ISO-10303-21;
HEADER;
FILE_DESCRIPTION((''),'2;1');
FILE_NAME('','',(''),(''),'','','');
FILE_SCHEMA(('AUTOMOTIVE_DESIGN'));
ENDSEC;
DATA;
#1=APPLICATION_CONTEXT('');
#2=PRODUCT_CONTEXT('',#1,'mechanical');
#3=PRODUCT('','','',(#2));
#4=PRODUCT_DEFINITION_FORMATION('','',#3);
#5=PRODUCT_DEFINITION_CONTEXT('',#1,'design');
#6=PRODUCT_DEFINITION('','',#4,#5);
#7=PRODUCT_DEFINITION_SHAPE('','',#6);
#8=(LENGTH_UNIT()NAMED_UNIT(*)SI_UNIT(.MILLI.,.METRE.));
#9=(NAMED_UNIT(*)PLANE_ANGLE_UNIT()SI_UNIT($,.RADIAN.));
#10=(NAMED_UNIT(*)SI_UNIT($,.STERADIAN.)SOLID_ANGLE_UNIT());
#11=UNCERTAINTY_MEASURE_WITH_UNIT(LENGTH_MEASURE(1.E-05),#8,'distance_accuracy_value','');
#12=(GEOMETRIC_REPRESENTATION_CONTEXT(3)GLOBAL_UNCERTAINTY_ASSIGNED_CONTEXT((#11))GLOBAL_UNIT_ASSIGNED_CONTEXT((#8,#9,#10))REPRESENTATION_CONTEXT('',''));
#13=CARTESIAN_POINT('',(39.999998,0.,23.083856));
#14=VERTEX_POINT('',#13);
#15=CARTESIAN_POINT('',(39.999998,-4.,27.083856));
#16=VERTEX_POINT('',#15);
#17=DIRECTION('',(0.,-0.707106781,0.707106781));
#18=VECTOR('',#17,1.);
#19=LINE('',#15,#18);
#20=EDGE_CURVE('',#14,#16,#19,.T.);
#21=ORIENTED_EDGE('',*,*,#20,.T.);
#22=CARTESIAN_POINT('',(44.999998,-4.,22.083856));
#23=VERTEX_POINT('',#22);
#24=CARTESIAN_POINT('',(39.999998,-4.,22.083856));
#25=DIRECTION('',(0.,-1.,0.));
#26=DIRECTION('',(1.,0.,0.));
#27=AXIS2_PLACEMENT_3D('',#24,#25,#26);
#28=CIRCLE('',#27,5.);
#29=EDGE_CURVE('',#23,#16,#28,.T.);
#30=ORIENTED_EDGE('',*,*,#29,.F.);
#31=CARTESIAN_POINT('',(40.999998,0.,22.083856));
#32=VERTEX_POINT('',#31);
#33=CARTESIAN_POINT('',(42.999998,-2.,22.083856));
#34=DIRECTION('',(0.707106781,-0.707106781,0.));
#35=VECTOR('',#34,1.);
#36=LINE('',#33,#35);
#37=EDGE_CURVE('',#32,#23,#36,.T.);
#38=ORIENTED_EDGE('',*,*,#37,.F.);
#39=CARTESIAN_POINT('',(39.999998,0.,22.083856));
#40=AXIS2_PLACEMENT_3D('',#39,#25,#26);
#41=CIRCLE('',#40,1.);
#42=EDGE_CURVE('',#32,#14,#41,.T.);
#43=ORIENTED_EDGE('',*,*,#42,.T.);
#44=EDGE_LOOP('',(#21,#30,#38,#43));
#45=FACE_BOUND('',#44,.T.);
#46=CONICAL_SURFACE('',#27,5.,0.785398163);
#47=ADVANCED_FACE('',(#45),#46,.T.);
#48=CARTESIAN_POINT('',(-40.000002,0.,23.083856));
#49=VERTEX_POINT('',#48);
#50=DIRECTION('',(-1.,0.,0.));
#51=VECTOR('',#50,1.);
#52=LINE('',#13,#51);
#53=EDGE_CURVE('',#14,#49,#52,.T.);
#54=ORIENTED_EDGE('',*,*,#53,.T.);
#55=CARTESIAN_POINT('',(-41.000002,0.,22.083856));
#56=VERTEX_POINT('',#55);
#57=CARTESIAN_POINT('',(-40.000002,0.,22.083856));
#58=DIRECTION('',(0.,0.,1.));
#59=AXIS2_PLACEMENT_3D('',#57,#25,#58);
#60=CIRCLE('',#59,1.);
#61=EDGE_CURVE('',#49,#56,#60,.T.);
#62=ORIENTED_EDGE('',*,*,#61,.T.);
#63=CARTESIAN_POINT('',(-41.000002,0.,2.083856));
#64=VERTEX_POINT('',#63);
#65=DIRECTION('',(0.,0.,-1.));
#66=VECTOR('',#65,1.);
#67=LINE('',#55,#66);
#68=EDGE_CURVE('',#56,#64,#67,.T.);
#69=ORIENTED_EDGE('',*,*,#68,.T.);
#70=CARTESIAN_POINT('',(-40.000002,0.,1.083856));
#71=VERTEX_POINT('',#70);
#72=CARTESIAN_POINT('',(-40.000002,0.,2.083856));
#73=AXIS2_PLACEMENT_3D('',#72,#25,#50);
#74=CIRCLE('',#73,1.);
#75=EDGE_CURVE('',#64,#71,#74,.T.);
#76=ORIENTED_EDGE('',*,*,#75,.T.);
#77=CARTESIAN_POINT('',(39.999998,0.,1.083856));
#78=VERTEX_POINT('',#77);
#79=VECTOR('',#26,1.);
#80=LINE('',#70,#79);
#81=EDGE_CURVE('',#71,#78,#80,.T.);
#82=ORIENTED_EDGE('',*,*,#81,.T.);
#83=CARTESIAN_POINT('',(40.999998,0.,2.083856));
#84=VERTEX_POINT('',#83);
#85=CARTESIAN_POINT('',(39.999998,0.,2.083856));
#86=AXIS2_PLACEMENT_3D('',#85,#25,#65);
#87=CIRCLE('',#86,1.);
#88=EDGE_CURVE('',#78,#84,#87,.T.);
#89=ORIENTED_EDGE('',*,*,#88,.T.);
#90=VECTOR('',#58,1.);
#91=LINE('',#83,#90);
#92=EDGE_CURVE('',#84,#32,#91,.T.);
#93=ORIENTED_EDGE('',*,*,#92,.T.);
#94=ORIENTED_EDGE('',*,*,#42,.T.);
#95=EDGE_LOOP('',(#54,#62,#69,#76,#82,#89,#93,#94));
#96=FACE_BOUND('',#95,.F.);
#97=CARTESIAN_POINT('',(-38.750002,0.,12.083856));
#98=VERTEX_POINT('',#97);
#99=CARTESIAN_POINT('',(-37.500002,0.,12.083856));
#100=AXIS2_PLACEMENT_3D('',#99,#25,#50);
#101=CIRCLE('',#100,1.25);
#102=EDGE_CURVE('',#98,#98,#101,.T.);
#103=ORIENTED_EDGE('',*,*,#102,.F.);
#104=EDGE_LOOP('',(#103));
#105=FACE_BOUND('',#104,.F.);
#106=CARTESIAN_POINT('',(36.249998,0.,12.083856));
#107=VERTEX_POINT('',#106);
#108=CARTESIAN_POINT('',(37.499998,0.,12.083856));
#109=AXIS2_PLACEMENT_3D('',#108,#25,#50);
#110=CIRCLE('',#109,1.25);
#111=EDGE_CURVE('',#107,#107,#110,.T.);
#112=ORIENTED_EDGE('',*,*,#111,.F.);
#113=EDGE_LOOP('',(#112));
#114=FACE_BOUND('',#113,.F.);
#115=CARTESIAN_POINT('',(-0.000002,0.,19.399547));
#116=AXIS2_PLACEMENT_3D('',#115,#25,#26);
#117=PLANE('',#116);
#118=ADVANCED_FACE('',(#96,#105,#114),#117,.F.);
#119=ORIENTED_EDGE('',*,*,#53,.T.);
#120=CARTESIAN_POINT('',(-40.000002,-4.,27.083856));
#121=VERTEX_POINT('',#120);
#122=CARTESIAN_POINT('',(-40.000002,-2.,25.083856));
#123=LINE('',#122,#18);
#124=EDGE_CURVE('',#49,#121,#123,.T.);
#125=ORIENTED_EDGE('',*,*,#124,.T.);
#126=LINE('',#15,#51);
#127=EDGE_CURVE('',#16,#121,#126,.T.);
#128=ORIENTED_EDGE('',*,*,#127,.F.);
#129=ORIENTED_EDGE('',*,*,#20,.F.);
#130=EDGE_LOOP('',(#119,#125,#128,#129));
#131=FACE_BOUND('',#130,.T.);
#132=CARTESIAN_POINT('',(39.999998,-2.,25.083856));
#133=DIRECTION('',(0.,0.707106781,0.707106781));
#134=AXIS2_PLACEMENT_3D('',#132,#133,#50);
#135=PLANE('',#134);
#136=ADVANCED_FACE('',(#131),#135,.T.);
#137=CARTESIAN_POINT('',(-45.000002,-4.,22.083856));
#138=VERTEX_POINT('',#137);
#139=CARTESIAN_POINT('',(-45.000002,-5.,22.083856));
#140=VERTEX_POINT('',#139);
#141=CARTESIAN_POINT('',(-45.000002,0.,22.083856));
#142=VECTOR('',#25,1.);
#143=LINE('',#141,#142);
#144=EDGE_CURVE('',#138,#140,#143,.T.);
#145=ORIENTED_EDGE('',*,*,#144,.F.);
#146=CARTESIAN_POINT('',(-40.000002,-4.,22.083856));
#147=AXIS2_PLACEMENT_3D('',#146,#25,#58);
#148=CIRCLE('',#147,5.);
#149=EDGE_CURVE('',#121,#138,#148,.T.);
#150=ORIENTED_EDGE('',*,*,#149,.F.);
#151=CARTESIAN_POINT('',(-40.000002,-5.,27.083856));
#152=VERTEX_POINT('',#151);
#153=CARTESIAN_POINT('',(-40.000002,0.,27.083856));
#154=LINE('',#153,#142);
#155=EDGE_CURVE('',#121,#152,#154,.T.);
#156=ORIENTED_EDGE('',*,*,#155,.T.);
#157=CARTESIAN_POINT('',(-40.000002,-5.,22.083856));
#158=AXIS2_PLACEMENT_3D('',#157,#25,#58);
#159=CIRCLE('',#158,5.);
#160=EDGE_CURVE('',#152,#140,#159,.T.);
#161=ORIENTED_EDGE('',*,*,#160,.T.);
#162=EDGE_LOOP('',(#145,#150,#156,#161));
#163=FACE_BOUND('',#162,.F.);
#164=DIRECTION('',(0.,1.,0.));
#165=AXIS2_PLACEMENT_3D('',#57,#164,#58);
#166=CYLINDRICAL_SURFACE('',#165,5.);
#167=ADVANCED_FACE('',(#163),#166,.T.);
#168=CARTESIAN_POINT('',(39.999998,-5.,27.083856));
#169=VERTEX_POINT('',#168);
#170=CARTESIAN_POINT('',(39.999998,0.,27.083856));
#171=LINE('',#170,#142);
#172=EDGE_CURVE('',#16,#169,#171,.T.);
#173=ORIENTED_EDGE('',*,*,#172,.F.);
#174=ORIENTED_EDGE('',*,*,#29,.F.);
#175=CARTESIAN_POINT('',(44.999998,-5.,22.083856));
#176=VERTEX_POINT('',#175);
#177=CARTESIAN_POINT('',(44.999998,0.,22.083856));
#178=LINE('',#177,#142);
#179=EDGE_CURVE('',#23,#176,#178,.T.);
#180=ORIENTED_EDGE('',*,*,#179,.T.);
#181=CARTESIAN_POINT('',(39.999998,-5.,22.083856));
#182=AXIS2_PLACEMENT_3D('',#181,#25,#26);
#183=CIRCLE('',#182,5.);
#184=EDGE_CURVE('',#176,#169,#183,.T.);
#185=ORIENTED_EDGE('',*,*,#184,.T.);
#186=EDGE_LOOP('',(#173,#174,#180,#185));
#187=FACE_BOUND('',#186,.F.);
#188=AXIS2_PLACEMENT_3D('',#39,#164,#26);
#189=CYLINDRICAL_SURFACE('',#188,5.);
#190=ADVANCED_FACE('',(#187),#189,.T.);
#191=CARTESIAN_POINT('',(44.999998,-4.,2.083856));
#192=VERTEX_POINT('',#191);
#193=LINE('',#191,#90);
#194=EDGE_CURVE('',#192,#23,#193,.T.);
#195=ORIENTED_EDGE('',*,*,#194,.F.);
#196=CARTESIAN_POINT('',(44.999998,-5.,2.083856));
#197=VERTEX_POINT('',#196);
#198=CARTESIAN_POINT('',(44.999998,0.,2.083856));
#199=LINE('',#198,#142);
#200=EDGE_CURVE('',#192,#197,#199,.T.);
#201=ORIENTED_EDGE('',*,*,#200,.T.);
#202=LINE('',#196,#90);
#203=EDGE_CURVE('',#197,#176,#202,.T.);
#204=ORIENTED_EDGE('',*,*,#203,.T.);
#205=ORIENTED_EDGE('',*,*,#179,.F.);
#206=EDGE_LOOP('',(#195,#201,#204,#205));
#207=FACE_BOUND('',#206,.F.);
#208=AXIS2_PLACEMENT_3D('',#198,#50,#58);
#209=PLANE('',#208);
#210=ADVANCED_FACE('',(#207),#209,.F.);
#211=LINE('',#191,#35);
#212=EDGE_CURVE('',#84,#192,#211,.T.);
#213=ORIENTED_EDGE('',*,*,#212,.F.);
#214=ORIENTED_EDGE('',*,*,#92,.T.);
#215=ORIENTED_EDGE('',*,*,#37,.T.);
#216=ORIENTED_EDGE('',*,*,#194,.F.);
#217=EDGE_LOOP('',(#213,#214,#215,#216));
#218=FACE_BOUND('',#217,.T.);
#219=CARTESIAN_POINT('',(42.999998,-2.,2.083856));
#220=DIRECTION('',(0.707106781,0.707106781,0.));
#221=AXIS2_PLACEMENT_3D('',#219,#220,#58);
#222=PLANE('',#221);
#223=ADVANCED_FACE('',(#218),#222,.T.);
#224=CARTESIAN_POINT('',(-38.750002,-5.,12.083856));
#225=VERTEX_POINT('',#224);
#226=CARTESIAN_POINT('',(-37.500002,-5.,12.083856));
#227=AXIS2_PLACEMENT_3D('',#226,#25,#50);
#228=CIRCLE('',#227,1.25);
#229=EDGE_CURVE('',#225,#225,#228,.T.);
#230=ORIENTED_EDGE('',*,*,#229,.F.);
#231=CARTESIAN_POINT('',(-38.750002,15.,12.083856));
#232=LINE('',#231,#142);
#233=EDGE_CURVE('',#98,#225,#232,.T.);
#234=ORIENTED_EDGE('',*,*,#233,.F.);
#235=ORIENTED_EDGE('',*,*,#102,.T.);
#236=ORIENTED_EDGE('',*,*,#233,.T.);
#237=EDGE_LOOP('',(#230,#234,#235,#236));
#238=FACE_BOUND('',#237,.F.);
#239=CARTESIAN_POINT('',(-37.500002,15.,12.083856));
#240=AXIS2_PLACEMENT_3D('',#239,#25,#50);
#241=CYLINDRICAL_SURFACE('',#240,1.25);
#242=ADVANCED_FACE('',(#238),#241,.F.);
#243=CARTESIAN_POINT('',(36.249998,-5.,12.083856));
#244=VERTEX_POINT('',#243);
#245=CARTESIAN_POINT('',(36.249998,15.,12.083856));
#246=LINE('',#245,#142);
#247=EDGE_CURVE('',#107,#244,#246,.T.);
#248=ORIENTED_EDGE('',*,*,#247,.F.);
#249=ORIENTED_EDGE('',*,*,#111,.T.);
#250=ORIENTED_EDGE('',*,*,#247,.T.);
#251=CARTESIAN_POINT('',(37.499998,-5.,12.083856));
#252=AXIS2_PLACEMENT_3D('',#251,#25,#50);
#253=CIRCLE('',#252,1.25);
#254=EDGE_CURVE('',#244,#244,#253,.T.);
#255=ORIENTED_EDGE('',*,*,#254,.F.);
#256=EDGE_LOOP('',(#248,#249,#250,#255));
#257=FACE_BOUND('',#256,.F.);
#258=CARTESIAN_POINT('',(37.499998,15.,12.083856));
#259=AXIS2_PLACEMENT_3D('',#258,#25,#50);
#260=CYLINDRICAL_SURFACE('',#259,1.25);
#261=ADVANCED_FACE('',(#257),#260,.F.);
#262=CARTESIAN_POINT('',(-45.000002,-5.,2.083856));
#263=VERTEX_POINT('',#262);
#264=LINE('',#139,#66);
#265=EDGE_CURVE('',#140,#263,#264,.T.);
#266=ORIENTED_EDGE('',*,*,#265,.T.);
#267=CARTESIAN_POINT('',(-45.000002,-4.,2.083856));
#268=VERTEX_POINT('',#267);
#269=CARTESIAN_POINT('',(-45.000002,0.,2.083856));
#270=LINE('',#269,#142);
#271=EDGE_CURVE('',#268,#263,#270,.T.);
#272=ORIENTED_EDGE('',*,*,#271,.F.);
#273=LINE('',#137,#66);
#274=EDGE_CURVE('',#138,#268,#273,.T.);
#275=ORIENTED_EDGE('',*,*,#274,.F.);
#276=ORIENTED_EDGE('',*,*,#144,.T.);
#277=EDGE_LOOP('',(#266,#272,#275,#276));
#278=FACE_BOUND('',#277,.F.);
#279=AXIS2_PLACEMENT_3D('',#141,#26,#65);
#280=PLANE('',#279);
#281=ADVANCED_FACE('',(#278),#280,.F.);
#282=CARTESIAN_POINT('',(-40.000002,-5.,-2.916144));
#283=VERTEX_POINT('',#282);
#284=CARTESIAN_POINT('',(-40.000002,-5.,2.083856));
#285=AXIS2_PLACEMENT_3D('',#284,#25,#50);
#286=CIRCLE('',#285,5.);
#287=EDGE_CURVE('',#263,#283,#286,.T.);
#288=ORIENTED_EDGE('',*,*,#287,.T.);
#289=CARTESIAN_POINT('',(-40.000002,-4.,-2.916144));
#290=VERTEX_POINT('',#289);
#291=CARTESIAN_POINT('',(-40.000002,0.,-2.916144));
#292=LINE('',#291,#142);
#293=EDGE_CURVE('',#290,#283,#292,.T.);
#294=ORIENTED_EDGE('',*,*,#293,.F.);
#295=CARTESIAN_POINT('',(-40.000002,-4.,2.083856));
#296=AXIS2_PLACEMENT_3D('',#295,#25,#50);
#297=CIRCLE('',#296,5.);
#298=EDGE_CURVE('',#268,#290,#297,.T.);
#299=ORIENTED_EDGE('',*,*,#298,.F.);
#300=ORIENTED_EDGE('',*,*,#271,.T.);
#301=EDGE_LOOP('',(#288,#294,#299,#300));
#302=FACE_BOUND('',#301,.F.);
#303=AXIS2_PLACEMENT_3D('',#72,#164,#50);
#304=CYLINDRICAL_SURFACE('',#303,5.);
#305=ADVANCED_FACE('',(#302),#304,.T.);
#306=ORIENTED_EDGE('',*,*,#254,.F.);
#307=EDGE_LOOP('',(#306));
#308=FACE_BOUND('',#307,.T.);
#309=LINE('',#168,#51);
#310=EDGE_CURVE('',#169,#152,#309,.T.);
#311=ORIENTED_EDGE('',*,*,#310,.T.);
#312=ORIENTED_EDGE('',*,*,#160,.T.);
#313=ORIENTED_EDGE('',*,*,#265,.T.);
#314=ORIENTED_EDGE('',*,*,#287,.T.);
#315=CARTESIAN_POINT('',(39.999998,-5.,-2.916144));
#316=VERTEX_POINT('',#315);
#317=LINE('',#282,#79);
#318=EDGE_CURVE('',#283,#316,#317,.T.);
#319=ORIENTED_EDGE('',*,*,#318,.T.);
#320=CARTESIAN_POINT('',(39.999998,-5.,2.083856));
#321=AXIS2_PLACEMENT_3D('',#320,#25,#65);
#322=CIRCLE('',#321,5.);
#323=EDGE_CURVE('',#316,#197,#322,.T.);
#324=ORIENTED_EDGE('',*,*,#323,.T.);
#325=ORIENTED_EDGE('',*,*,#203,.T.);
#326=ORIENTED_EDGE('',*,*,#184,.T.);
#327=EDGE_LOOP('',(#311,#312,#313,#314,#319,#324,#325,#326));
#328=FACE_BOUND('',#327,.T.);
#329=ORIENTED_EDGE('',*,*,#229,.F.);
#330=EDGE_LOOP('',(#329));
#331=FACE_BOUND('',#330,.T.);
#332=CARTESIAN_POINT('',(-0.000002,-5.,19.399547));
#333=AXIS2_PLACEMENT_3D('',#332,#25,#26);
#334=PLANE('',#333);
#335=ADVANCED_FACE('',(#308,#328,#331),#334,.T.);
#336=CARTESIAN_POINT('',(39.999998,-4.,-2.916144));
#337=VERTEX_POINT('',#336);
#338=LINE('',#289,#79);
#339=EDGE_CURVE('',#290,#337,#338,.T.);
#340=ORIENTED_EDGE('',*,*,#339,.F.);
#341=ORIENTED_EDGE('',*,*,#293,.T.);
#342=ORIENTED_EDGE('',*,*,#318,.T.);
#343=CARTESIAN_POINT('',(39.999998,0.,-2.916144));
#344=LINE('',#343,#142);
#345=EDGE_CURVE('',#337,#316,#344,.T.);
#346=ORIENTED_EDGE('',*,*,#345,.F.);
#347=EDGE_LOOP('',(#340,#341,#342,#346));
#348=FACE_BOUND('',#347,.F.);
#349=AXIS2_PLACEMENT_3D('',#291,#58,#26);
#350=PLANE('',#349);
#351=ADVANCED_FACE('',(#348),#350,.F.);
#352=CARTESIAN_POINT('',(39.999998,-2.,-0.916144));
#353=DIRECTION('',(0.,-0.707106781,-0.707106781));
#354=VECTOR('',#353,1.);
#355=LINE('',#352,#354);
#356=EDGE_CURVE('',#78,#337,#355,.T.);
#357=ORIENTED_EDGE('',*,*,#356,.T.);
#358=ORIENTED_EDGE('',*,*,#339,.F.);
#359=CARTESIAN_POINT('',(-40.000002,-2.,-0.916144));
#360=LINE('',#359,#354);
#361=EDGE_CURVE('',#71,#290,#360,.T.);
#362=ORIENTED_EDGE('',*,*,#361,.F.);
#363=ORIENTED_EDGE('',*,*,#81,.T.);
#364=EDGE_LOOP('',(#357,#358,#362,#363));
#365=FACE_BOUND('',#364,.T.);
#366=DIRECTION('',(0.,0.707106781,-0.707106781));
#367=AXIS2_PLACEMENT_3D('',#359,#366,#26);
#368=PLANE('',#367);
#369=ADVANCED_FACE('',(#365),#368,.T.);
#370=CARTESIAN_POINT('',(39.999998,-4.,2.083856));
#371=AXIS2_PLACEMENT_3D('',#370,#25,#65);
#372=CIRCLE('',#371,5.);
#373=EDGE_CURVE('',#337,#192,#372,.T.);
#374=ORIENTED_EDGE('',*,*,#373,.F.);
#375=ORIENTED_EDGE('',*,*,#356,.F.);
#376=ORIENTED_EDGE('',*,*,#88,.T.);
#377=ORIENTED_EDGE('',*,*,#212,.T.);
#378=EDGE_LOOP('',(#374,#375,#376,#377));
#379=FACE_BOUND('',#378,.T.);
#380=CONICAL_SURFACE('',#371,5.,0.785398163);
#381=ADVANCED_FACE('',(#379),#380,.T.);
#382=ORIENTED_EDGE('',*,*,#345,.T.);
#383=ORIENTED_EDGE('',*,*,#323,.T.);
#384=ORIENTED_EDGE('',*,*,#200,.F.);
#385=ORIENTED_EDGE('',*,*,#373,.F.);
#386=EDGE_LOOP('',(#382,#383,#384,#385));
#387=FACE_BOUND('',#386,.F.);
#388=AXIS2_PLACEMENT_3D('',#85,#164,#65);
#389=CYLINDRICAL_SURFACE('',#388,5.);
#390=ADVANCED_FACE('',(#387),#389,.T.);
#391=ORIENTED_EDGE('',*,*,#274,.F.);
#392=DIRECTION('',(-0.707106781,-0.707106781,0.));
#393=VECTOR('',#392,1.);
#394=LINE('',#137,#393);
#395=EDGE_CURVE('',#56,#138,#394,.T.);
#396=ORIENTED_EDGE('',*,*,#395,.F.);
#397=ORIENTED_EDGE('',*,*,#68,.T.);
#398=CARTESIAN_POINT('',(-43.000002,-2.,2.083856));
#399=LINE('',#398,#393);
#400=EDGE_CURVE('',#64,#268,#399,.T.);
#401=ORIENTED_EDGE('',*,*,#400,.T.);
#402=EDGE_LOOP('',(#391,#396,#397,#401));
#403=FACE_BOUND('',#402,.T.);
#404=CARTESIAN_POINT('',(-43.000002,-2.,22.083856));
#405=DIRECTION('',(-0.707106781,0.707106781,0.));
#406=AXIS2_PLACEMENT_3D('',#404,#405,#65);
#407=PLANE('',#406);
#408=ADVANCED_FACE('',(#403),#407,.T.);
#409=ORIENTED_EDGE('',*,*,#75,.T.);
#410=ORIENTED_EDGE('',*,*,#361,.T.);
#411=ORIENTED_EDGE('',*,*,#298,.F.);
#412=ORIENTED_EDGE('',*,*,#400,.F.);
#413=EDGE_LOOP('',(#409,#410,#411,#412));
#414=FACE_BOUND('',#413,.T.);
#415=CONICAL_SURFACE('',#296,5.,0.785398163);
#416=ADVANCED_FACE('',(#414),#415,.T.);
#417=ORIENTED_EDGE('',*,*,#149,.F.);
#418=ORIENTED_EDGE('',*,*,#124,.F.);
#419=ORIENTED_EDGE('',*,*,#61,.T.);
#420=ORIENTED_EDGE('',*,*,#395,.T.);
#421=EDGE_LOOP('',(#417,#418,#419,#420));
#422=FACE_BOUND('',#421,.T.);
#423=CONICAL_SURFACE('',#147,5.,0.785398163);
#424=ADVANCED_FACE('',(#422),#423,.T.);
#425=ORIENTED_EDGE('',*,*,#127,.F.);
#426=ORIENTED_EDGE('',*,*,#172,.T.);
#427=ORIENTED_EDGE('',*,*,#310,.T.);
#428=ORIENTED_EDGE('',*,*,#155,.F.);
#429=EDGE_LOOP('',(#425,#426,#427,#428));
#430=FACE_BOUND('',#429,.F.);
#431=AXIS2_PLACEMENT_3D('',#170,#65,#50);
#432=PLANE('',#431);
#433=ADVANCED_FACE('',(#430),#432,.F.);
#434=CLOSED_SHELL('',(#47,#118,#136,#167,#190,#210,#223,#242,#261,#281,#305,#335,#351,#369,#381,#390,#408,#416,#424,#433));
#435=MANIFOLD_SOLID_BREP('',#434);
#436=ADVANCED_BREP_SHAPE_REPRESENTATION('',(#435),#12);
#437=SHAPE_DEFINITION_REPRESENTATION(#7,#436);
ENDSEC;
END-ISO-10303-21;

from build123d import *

# Parameters (mm, degrees)
F1_DEPTH = 5
F2_D     = 2.5
F2_DEPTH = 15
F2_TIP   = 0.7510757738
F3_SIZE  = 4


with BuildPart() as f1:
    # F0 (on Front) → F1 (new body)
    with BuildSketch(Plane.XZ):
        with BuildLine():
            Line((39.9999981374, 27.0838558645), (-40.0000018626, 27.0838558645))
            ThreePointArc((-40.0000018626, 27.0838558645), (-43.5355357686, 25.6193897704), (-45.0000018626, 22.0838558645))
            Line((-45.0000018626, 22.0838558645), (-45.0000018626, 12.0838558645))
            Line((-45.0000018626, 12.0838558645), (-37.5000018626, 12.0838558645))
            Line((-37.5000018626, 12.0838558645), (37.4999981374, 12.0838558645))
            Line((37.4999981374, 12.0838558645), (44.9999981374, 12.0838558645))
            Line((44.9999981374, 12.0838558645), (44.9999981374, 22.0838558645))
            ThreePointArc((44.9999981374, 22.0838558645), (43.5355320433, 25.6193897704), (39.9999981374, 27.0838558645))
        make_face()
        with BuildLine():
            Line((-37.5000018626, 12.0838558645), (-45.0000018626, 12.0838558645))
            Line((-45.0000018626, 12.0838558645), (-45.0000018626, 2.0838558645))
            ThreePointArc((-45.0000018626, 2.0838558645), (-43.5355357686, -1.4516780414), (-40.0000018626, -2.9161441355))
            Line((-40.0000018626, -2.9161441355), (39.9999981374, -2.9161441355))
            ThreePointArc((39.9999981374, -2.9161441355), (43.5355320433, -1.4516780414), (44.9999981374, 2.0838558645))
            Line((44.9999981374, 2.0838558645), (44.9999981374, 12.0838558645))
            Line((44.9999981374, 12.0838558645), (37.4999981374, 12.0838558645))
            Line((37.4999981374, 12.0838558645), (-37.5000018626, 12.0838558645))
        make_face()
    extrude(amount=F1_DEPTH)

    # F2
    with Locations(Plane(origin=(0, 0, 0), x_dir=(1, 0, 0), z_dir=(0, 1, 0))):
        with Locations((-37.5000018626, -12.0838558645), (37.4999981374, -12.0838558645)):
            Hole(F2_D / 2, depth=F2_DEPTH)
            with Locations((0, 0, -(F2_DEPTH + F2_TIP / 2))):  # 118° drill point
                Cone(0, F2_D / 2, F2_TIP, mode=Mode.SUBTRACT)

    # F3
    f3_edges = [f1.edges().sort_by_distance(p)[0] for p in [
        (-2e-06, 0, -2.916144),
    ]]
    chamfer(f3_edges, length=F3_SIZE)


solid = f1.part
